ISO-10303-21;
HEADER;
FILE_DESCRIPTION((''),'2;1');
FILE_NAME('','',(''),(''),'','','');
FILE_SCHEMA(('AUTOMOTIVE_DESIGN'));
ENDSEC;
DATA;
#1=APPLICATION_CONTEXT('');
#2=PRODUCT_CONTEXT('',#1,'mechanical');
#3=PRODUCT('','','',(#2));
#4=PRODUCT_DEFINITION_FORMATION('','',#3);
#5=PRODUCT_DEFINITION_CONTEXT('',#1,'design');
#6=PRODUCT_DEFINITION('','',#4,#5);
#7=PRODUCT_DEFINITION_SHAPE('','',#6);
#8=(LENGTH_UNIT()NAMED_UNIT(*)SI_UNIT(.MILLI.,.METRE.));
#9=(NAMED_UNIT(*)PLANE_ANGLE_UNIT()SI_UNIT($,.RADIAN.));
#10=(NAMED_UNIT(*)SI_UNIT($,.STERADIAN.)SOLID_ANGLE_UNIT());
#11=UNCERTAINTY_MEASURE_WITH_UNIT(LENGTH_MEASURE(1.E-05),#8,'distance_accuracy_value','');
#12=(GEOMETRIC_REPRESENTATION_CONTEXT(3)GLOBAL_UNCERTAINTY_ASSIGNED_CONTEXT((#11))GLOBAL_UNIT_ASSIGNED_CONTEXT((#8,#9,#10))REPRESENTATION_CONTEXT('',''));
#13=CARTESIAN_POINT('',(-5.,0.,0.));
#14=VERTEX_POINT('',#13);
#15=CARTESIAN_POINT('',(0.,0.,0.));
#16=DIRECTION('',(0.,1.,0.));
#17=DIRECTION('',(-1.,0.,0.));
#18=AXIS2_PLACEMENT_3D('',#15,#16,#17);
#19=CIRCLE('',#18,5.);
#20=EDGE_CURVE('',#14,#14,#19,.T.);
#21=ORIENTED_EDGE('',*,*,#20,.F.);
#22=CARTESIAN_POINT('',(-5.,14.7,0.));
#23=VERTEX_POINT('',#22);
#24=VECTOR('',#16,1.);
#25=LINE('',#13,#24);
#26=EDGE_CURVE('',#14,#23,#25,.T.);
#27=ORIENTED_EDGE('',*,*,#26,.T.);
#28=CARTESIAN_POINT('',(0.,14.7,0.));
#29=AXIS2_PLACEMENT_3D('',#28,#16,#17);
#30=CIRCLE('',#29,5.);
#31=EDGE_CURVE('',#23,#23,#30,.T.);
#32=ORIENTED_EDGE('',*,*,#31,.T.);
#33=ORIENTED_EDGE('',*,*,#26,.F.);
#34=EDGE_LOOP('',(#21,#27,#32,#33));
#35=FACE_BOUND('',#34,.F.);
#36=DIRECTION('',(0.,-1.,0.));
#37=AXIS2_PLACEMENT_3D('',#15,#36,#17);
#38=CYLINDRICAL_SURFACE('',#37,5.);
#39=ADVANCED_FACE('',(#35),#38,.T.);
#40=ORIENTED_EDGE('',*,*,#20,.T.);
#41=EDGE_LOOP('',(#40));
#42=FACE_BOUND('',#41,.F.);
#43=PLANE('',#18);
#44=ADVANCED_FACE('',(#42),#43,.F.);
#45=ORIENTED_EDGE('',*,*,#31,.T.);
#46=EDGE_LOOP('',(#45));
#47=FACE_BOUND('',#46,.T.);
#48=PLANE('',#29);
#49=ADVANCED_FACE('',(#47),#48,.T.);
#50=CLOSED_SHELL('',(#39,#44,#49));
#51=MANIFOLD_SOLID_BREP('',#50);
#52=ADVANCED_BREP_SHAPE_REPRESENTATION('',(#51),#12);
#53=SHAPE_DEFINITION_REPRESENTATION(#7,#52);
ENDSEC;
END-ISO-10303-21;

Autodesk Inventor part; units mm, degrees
ref_plane "YZ Plane" through (0, 0, 0) normal (1, 0, 0) x (0, 1, 0)
ref_plane "XZ Plane" through (0, 0, 0) normal (0, 1, 0) x (-1, 0, 0)
ref_plane "XY Plane" through (0, 0, 0) normal (0, 0, 1) x (1, 0, 0)
sketch "Sketch1" plane through (0, 0, 0) normal (0, 1, 0) x (-1, 0, 0)
  point P0 (0, 0)
sketch "Sketch2" plane through (0, 0, 0) normal (0, 1, 0) x (-1, 0, 0)
  circle A0 centre (0, 0) radius 5
  dimension "d0" = 10
extrude "Extrusion1" add sketch "Sketch2" along normal blind 14.7
properties part number "digit2"
